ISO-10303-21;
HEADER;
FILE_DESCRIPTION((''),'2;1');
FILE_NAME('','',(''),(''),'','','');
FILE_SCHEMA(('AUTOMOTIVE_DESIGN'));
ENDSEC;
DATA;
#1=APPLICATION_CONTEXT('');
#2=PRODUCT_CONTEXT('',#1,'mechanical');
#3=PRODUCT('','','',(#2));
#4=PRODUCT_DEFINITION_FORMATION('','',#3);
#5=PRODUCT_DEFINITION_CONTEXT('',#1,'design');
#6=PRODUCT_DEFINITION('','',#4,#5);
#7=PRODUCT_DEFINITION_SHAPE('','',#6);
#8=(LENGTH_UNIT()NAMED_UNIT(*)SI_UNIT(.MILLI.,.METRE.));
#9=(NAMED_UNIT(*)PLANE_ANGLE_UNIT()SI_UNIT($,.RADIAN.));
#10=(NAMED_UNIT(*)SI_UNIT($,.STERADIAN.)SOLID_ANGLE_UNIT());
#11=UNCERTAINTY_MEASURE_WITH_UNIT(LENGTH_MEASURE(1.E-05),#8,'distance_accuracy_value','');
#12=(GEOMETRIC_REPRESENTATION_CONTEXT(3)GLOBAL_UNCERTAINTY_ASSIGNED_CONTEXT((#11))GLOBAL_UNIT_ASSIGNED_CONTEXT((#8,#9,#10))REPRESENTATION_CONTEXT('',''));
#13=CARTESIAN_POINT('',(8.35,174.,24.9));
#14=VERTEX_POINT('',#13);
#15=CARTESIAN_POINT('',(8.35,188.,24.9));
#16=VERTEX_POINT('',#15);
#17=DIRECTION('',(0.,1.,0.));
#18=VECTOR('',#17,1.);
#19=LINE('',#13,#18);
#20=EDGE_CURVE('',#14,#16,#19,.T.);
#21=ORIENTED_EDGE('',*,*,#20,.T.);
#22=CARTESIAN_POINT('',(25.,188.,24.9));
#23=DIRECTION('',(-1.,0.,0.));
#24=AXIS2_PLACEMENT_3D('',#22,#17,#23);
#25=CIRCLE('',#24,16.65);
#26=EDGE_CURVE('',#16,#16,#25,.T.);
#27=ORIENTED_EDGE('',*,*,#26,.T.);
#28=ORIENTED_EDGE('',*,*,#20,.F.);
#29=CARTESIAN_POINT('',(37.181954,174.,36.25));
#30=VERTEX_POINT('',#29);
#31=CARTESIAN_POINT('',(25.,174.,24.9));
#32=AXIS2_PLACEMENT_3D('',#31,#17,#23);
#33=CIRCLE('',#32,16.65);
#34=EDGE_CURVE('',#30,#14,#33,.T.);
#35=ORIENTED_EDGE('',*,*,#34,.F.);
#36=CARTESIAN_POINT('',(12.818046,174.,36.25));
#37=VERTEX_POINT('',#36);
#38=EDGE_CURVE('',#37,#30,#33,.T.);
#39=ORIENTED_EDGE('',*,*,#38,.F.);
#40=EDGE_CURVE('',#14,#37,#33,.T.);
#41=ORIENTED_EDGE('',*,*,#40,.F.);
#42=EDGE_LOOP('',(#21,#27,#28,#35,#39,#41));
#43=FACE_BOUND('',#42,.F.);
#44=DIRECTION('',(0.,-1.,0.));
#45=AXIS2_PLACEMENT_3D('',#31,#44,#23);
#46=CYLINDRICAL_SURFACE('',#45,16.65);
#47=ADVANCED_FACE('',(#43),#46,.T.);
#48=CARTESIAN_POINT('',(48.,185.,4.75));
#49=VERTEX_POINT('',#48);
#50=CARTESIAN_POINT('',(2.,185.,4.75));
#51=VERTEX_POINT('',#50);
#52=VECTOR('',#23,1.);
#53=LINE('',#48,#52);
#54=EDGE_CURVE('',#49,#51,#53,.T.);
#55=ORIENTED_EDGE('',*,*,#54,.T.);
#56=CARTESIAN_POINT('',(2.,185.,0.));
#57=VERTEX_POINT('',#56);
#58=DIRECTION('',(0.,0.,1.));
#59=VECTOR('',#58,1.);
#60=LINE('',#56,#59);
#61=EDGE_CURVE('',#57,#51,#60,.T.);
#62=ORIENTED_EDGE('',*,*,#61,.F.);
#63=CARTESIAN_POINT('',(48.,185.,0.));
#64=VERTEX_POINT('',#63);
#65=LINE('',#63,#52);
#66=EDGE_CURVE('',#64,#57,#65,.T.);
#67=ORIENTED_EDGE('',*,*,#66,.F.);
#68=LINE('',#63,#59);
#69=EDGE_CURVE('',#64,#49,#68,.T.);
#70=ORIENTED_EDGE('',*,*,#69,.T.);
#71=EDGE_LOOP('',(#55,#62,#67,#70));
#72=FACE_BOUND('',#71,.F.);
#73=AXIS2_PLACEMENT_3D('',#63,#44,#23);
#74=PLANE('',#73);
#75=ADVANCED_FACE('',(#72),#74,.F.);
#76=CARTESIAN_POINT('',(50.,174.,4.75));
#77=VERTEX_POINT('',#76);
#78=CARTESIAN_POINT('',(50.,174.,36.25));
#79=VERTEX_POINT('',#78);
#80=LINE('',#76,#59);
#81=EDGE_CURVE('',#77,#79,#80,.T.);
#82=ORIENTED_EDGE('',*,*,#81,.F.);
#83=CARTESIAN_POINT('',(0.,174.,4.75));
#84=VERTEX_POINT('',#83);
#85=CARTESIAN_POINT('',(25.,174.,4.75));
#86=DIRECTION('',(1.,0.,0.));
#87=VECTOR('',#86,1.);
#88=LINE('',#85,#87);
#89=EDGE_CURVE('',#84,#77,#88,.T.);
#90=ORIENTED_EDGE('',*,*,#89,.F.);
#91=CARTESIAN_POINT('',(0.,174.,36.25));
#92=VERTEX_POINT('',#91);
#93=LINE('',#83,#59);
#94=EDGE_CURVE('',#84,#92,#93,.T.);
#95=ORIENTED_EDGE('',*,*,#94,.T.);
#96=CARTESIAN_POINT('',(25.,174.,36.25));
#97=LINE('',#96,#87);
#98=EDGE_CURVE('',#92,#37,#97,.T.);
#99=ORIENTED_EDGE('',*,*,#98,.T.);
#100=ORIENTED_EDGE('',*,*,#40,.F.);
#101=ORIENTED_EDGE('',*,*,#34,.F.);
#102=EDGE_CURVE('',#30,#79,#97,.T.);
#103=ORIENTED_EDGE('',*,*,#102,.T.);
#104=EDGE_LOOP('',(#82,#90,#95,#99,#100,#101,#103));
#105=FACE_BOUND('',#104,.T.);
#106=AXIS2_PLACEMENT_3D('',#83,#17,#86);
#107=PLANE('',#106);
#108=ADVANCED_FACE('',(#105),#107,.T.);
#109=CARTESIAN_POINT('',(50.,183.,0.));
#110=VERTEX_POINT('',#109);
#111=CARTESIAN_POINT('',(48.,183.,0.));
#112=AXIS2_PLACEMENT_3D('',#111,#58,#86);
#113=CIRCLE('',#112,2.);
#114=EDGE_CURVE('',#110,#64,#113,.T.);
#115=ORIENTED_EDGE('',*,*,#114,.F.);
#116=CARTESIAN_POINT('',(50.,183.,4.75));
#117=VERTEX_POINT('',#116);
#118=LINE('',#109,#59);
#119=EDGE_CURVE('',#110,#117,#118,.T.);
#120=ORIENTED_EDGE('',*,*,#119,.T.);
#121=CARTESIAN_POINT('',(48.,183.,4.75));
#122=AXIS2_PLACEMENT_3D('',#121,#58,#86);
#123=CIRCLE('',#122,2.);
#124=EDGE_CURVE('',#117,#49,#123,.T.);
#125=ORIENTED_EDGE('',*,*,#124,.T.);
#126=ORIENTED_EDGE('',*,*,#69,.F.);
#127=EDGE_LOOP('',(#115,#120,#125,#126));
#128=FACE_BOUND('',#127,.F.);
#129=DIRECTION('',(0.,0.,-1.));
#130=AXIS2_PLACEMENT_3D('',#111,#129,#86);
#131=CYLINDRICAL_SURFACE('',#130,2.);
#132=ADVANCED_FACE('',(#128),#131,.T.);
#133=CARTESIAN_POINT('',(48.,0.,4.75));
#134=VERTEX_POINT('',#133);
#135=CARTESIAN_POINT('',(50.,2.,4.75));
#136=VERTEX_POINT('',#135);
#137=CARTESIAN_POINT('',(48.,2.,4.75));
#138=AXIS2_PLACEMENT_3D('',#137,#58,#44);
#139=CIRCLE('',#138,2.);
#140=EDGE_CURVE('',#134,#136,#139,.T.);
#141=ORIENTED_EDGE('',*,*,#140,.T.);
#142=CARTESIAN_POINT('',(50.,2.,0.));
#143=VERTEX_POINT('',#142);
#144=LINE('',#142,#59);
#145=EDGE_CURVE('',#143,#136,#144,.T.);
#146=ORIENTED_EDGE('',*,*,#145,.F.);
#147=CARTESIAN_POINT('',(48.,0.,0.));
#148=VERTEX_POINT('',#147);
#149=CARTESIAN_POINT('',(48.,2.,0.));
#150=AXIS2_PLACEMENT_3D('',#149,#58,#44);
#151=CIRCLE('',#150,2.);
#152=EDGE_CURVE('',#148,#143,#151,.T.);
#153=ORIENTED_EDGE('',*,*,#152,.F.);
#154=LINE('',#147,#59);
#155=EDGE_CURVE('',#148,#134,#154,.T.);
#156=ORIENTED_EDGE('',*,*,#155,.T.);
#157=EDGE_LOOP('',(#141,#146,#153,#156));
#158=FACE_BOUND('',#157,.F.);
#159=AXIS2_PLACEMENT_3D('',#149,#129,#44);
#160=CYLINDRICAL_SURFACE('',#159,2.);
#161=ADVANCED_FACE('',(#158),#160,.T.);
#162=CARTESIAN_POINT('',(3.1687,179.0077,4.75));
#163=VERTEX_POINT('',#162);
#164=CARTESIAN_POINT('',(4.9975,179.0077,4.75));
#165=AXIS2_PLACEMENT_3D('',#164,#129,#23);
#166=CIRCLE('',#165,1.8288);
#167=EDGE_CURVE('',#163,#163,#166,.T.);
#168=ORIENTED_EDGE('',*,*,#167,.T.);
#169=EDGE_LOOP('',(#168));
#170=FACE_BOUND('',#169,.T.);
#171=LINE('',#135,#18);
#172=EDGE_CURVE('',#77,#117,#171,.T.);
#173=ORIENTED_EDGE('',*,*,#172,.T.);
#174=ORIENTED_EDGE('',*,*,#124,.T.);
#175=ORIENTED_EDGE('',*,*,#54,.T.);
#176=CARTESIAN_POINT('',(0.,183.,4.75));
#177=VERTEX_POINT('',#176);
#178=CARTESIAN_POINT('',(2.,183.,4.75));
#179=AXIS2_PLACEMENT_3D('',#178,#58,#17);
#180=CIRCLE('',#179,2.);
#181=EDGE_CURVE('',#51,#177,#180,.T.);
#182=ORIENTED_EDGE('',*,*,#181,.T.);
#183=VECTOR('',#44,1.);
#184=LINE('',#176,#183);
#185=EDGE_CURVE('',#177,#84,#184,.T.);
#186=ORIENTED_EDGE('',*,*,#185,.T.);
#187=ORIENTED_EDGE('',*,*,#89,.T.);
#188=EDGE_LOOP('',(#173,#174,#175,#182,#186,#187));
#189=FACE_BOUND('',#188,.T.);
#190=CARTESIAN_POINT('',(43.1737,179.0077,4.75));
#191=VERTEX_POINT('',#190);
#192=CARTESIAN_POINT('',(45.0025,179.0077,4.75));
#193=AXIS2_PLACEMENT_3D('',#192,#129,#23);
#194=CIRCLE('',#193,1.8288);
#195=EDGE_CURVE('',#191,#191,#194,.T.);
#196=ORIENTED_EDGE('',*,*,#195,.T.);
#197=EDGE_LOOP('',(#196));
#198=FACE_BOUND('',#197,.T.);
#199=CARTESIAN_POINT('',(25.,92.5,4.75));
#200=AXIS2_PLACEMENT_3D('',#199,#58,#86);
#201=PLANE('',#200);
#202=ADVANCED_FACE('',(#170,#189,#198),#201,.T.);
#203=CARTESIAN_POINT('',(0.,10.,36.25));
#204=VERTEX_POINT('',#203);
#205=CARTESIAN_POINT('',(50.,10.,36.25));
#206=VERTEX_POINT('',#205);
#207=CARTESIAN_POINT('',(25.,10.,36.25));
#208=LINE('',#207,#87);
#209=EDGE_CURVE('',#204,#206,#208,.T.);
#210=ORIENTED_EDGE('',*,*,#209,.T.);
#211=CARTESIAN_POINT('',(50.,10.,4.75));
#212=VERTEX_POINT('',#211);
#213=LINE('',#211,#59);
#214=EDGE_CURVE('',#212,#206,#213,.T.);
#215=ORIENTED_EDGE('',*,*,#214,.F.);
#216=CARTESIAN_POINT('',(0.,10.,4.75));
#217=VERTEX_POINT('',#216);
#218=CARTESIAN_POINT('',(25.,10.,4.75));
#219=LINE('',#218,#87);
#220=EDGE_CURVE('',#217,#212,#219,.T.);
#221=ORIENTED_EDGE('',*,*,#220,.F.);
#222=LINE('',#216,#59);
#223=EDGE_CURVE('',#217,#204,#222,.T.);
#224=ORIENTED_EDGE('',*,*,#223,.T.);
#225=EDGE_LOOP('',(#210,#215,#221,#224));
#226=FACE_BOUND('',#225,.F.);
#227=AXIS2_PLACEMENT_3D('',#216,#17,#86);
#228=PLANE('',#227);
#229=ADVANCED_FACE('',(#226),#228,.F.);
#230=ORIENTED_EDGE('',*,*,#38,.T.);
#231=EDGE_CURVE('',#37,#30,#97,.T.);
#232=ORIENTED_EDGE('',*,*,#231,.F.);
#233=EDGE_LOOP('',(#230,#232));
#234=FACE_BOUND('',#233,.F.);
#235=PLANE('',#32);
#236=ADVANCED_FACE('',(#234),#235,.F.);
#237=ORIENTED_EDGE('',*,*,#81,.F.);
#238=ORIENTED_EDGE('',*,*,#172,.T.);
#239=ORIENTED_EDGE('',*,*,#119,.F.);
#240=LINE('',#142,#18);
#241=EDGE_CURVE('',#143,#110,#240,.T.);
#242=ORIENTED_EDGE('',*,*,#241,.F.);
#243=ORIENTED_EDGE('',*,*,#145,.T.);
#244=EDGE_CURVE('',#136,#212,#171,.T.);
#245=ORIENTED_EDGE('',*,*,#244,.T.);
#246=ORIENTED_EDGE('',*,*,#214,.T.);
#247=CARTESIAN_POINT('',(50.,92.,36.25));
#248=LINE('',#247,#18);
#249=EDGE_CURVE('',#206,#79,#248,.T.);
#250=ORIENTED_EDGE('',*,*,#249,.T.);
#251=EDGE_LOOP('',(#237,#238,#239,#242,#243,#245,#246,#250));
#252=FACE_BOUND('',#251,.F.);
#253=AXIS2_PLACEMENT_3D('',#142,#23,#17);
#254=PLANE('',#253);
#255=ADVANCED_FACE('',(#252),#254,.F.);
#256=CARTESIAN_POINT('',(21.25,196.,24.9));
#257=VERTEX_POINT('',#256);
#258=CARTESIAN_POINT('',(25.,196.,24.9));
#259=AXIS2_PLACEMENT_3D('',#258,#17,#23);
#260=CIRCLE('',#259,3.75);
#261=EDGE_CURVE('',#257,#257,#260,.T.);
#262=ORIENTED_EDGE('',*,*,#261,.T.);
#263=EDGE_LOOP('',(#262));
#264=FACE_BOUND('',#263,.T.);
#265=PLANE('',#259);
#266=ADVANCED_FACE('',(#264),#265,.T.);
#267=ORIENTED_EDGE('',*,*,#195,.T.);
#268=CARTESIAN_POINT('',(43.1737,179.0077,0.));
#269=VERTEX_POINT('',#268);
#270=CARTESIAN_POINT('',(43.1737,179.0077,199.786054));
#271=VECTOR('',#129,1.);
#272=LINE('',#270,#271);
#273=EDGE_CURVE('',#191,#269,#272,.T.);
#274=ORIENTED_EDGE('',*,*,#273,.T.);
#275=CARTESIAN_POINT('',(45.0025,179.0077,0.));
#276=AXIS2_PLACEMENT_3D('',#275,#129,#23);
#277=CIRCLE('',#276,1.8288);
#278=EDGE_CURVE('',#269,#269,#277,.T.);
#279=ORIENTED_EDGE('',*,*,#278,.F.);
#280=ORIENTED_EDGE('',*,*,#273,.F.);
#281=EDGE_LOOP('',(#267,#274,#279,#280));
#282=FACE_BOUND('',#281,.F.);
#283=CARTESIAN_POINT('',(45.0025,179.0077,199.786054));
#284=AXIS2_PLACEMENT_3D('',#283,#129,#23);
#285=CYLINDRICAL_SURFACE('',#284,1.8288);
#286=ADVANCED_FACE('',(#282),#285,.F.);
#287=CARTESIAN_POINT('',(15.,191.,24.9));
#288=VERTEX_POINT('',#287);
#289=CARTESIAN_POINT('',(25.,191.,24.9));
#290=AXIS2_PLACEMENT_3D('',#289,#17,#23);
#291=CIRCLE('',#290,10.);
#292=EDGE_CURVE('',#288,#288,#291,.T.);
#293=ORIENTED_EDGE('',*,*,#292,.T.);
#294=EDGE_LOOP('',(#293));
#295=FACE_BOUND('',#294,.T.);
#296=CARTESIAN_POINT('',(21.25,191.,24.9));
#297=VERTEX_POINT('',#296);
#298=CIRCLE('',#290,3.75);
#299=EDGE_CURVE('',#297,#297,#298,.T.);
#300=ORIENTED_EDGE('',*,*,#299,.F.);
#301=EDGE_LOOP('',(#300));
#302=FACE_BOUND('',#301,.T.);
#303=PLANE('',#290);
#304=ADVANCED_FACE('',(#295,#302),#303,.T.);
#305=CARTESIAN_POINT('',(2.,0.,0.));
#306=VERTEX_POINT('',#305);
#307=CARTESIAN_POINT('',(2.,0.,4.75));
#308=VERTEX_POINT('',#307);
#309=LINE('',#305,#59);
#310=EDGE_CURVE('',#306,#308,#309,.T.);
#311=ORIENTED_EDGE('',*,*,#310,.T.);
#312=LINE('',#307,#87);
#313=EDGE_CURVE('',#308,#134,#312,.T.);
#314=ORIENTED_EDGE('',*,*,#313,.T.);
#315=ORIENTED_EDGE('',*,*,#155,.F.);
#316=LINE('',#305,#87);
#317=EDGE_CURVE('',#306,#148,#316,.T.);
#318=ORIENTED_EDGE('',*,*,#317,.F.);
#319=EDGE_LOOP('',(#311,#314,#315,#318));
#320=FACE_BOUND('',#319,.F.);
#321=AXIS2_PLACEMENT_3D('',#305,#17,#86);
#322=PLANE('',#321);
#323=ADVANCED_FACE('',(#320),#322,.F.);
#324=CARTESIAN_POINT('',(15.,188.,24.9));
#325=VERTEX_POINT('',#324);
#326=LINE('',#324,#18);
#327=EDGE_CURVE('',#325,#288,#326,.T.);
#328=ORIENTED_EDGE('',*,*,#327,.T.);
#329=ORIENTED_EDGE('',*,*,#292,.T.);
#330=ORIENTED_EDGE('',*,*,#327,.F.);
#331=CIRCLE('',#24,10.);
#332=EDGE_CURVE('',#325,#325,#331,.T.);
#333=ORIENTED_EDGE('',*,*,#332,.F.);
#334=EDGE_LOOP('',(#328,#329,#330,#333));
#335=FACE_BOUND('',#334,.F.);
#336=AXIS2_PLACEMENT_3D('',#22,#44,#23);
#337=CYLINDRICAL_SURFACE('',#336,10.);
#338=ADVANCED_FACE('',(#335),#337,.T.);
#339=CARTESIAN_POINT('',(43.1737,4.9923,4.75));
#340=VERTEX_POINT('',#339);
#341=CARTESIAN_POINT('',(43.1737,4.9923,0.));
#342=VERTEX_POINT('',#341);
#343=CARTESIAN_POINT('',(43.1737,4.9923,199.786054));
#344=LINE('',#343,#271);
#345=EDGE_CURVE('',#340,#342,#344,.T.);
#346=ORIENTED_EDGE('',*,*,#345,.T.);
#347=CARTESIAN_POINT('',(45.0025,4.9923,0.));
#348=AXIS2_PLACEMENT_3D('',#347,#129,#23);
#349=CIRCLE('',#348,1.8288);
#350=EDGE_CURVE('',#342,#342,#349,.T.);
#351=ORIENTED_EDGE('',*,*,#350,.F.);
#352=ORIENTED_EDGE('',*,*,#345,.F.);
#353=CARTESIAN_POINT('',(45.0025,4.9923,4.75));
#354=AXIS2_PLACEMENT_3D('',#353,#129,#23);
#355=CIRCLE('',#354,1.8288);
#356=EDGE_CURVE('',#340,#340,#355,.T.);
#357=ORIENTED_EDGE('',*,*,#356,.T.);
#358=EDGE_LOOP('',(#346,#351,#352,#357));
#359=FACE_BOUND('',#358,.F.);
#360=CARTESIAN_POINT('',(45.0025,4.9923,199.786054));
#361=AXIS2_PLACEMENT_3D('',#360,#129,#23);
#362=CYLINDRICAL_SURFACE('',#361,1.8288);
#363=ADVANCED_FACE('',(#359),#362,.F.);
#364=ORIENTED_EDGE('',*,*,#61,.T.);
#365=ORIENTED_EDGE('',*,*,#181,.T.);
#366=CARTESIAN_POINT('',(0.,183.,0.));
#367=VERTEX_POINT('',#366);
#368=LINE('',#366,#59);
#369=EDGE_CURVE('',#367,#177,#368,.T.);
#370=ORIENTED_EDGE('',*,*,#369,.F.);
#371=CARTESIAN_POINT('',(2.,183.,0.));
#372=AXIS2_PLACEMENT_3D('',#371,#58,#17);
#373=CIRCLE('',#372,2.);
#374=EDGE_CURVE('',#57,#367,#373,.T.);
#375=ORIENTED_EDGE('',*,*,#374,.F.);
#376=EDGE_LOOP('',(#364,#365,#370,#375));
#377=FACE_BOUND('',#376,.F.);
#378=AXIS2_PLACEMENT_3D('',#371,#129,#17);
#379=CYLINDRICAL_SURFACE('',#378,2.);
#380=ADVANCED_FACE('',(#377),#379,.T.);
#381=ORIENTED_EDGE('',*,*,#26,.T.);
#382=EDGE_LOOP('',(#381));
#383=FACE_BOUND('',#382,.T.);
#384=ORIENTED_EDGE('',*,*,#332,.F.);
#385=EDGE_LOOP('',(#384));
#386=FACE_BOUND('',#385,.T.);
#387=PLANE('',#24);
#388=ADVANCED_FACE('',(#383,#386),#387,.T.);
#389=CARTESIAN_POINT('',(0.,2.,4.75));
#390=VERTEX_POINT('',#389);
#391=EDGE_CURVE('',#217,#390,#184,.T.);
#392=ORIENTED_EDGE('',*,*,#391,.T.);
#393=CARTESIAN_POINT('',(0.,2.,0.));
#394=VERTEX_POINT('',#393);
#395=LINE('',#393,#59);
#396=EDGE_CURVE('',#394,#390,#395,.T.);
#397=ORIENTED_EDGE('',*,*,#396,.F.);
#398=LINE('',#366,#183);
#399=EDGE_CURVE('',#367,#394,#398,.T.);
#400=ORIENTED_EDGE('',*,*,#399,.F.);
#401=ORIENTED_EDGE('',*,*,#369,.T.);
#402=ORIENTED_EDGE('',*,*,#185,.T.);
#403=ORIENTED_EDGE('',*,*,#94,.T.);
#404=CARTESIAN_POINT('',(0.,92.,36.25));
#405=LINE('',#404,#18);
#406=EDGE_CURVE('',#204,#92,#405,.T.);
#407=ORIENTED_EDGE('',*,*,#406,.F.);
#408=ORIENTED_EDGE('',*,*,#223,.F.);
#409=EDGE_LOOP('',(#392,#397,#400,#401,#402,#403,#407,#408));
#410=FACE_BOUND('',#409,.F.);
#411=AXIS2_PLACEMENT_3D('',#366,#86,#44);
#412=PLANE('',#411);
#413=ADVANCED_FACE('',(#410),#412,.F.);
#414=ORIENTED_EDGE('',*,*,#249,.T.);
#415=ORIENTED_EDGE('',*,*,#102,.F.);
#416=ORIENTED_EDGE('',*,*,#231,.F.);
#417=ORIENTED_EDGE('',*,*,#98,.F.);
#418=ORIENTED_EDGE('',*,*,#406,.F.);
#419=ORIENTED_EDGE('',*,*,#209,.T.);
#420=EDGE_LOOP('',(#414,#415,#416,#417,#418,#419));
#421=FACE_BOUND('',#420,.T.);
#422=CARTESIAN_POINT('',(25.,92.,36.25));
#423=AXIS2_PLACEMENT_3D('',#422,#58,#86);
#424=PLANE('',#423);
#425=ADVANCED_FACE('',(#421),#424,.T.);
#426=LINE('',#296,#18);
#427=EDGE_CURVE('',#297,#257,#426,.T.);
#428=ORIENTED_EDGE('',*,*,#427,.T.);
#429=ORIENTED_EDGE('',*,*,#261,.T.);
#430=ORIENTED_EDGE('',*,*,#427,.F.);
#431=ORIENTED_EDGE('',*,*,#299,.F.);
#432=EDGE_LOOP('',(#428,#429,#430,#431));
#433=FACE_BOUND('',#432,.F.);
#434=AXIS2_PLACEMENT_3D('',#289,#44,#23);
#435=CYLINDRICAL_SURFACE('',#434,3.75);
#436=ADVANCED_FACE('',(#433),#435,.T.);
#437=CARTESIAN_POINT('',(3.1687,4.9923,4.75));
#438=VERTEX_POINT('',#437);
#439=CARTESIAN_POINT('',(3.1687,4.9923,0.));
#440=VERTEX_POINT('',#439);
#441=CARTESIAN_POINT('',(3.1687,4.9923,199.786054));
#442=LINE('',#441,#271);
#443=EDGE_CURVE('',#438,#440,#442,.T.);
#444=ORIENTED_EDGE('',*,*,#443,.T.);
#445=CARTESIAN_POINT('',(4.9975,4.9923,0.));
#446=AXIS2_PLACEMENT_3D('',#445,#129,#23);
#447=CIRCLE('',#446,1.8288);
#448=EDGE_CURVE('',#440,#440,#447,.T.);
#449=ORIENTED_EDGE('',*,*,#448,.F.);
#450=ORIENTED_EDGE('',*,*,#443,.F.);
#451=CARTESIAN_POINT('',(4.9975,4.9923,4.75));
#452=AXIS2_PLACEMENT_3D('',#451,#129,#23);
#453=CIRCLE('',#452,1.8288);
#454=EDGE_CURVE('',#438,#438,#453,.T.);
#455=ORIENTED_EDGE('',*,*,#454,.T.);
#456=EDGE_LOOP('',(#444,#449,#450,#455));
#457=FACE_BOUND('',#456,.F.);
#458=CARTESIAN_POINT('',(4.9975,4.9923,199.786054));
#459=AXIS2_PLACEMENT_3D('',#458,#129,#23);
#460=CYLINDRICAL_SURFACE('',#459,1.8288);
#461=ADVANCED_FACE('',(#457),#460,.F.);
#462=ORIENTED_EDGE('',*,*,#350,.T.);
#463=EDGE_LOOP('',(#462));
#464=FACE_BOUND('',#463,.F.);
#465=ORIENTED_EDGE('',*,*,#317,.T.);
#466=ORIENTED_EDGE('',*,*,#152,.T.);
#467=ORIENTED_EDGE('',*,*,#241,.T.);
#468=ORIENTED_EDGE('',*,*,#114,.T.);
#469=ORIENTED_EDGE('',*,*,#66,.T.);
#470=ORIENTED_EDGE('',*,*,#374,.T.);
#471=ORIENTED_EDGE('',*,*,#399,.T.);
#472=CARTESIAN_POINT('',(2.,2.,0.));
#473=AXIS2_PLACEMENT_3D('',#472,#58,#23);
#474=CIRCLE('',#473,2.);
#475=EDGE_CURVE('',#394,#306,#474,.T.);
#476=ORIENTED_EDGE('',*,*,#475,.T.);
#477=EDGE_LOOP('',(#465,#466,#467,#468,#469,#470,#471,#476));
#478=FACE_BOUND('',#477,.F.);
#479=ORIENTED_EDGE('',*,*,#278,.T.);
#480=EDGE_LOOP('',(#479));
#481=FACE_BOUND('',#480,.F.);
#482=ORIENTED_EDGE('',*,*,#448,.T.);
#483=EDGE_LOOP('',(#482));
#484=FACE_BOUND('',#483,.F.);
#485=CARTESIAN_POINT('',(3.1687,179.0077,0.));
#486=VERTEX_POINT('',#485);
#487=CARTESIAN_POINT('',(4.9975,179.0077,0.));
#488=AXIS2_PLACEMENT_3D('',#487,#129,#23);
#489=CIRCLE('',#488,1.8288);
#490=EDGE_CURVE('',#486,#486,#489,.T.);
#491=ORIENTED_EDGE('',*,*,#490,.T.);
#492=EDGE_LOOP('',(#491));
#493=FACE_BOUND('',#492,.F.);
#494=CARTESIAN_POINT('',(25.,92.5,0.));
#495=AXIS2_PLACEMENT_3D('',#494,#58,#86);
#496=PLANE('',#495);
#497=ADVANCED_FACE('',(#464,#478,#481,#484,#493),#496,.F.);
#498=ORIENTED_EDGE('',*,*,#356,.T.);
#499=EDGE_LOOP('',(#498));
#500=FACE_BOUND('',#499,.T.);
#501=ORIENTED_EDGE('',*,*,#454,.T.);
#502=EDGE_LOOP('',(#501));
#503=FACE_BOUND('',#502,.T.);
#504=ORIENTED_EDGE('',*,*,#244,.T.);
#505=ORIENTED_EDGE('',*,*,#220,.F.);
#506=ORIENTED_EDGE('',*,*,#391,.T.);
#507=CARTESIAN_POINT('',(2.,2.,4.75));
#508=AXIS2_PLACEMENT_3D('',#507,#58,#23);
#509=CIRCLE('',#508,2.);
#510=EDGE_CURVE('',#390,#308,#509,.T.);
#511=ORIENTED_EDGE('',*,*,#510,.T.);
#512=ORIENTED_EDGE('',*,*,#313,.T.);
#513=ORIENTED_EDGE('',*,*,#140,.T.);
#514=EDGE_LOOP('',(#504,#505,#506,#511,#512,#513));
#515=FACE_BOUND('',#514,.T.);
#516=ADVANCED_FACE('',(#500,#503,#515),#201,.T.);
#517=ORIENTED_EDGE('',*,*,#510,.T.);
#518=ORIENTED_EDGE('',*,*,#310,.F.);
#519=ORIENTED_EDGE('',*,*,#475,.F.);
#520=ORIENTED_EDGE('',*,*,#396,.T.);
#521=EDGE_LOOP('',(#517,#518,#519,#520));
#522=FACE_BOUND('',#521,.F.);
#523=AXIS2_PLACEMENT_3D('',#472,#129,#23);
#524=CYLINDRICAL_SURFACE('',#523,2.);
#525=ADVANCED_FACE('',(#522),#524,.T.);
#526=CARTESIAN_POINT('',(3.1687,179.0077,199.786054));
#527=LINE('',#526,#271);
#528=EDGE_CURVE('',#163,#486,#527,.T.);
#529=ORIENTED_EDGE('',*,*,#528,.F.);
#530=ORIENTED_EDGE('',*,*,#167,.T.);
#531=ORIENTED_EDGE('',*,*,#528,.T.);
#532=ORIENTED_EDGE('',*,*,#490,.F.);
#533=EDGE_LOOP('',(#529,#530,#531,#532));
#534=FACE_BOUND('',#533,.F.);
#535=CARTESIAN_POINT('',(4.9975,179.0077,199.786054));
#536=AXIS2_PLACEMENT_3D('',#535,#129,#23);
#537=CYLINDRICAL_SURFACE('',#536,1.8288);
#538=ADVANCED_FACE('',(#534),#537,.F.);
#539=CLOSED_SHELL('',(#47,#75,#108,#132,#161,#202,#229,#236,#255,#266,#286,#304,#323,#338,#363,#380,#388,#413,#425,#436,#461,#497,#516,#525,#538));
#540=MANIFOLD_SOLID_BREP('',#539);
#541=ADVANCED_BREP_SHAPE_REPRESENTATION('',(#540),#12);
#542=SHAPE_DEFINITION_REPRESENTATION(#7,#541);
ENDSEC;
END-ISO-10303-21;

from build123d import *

# Parameters (mm, degrees)
F1_DEPTH  = 4.75
F2_W      = 50
F2_H      = 164
F3_DEPTH  = 31.5
F5_D      = 3.6576
F6_R      = 16.65
F7_DEPTH  = 14
F8_R      = 10
F9_DEPTH  = 3
F10_R     = 3.75
F11_DEPTH = 5


with BuildPart() as f1:
    # F0 (on Top) → F1 (new body)
    with BuildSketch(Plane.XY):
        with BuildLine():
            ThreePointArc((0, 2), (0.5857864376, 0.5857864376), (2, 0))
            Line((2, 0), (48, 0))
            ThreePointArc((48, 0), (49.4142135624, 0.5857864376), (50, 2))
            Line((50, 2), (50, 183))
            ThreePointArc((50, 183), (49.4142135624, 184.4142135624), (48, 185))
            Line((48, 185), (2, 185))
            ThreePointArc((2, 185), (0.5857864376, 184.4142135624), (0, 183))
            Line((0, 183), (0, 2))
        make_face()
    extrude(amount=F1_DEPTH)

    # F2 (on face) → F3 (join)
    with BuildSketch(Plane.XY.offset(4.75)):
        with Locations((25, 92)):
            Rectangle(F2_W, F2_H)
    extrude(amount=F3_DEPTH)

    # F5 (through all)
    with Locations(Plane.XY.offset(4.75)):
        with Locations((4.9975, 179.0077), (45.0025, 179.0077), (4.9975, 4.9923), (45.0025, 4.9923)):
            Hole(F5_D / 2)

    # F6 (on face) → F7 (join)
    with BuildSketch(Plane(origin=(0, 174, 0), x_dir=(-1, 0, 0), z_dir=(0, 1, 0))):
        with Locations((-25, 24.9)):
            Circle(F6_R)
    extrude(amount=F7_DEPTH)

    # F8 (on face) → F9 (join)
    with BuildSketch(Plane(origin=(0, 188, 0), x_dir=(-1, 0, 0), z_dir=(0, 1, 0))):
        with Locations((-25, 24.9)):
            Circle(F8_R)
    extrude(amount=F9_DEPTH)

    # F10 (on face) → F11 (join)
    with BuildSketch(Plane(origin=(0, 191, 0), x_dir=(-1, 0, 0), z_dir=(0, 1, 0))):
        with Locations((-25, 24.9)):
            Circle(F10_R)
    extrude(amount=F11_DEPTH)


solid = f1.part
